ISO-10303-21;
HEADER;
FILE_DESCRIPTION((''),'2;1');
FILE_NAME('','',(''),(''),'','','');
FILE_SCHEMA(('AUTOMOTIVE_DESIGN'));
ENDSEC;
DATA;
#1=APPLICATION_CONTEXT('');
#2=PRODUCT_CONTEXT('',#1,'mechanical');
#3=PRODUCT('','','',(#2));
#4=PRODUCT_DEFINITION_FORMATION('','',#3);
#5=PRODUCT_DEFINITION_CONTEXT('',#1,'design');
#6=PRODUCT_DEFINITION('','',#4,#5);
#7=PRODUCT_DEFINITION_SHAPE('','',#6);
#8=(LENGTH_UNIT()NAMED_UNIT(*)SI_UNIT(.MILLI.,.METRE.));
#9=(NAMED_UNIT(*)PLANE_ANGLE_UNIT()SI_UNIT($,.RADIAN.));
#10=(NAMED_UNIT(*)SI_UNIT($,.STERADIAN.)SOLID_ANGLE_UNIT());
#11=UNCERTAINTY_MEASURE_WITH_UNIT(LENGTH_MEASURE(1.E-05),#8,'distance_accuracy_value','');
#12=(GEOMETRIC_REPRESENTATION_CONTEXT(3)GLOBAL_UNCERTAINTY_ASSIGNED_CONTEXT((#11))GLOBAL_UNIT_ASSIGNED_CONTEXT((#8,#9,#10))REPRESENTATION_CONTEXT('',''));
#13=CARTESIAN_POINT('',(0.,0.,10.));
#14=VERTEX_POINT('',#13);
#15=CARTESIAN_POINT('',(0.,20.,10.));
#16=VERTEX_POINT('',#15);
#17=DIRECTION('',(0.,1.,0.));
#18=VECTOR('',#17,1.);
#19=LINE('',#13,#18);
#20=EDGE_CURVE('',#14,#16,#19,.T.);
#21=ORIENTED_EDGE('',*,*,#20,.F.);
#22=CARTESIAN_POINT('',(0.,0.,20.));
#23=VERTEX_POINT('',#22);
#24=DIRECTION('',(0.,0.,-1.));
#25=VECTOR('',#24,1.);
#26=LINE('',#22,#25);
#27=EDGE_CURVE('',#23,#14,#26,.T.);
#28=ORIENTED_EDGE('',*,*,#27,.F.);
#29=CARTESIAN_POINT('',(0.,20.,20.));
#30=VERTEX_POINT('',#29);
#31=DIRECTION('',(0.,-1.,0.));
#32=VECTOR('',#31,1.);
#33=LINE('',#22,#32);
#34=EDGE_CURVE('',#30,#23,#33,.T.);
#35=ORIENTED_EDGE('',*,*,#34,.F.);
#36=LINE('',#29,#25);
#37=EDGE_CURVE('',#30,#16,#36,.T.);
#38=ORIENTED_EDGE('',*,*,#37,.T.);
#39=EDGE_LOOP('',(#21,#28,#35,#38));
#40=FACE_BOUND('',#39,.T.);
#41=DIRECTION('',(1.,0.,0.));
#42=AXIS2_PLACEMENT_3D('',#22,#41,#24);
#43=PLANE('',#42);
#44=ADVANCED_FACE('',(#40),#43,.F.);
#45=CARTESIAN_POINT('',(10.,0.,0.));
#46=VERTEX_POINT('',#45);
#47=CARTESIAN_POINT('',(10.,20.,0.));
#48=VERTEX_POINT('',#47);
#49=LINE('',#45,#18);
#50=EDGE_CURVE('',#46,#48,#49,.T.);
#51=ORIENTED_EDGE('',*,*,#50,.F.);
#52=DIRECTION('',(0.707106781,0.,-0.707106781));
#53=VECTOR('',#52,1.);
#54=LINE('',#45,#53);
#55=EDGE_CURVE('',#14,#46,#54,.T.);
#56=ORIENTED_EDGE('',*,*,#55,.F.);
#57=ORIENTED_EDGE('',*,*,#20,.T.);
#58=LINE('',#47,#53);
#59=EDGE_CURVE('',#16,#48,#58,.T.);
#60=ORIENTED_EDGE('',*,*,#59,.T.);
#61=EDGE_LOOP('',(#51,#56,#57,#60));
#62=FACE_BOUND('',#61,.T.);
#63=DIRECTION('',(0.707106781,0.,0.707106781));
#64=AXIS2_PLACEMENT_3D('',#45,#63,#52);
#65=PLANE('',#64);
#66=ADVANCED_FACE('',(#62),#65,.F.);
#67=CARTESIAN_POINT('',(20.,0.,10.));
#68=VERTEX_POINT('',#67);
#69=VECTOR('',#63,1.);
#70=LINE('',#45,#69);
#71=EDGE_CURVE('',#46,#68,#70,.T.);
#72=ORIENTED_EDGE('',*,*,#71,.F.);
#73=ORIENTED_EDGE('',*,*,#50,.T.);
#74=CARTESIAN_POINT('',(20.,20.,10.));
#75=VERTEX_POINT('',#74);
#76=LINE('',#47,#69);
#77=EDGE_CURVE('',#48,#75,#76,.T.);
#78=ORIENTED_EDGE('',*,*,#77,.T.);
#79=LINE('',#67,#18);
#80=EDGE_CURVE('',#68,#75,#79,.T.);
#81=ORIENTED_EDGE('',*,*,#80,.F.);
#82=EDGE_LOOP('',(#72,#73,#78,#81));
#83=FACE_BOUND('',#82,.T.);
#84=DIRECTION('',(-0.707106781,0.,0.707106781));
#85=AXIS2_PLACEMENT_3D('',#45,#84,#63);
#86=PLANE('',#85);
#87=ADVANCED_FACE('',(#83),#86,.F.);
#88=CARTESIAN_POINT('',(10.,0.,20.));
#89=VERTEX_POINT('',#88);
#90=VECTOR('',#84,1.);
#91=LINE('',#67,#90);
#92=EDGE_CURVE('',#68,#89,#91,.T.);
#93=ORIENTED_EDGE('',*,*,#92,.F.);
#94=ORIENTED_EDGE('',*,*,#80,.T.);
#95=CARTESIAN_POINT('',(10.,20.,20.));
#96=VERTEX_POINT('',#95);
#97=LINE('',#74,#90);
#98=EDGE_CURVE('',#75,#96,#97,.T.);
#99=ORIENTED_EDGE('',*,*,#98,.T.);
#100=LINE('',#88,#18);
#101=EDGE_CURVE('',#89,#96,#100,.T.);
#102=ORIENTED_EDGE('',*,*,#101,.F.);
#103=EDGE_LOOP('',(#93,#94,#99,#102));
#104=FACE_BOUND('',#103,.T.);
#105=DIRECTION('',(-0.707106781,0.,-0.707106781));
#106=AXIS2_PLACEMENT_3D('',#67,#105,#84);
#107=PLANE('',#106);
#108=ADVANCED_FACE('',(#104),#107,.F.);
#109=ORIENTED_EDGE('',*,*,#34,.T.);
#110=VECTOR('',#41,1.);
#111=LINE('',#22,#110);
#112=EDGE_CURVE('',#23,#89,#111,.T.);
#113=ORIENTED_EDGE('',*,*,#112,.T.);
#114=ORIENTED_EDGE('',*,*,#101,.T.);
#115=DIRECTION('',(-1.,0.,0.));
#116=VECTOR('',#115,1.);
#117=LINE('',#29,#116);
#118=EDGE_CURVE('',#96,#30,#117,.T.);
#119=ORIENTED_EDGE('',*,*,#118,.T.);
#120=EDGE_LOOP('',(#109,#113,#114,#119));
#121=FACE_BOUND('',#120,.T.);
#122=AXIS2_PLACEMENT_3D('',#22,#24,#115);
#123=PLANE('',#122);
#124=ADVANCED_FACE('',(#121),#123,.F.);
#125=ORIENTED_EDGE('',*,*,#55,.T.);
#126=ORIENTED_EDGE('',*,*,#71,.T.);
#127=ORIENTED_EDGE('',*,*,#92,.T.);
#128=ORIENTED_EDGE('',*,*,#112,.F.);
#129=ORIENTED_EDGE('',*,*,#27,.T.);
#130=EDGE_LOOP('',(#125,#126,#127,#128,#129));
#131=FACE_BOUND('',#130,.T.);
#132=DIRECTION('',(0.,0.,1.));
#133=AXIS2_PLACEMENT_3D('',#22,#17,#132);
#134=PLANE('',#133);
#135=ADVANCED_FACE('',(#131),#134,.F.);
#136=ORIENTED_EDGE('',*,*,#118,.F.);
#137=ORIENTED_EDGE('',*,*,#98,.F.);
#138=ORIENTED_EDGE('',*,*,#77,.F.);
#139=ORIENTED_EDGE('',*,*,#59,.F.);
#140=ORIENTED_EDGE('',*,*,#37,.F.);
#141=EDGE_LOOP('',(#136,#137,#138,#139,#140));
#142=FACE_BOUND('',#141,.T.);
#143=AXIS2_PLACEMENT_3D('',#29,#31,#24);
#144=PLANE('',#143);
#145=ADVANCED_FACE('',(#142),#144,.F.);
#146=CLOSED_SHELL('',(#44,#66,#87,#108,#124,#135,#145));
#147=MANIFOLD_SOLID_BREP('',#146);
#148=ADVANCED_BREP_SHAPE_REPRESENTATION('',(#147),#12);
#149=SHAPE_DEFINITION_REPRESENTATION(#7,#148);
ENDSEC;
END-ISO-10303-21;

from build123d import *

# Parameters (mm, degrees)
SKETCH1_W           = 20
SKETCH1_H           = 20
BOSS_EXTRUDE1_DEPTH = 20
CUT_EXTRUDE1_DEPTH  = 20
CUT_EXTRUDE2_DEPTH  = 20
CUT_EXTRUDE3_DEPTH  = 20


with BuildPart() as part:
    # Sketch1 → Boss-Extrude1 (new body)
    with BuildSketch(Plane.XY):
        with Locations((10, 10)):
            Rectangle(SKETCH1_W, SKETCH1_H)
    extrude(amount=BOSS_EXTRUDE1_DEPTH)

    # Sketch2 → Cut-Extrude1 (cut)
    with BuildSketch(Plane(origin=(0, 20, 0), x_dir=(1, 0, 0), z_dir=(0, 1, 0))):
        Polygon((20, 0), (10, 0), (20, -10), align=None)
    extrude(amount=-CUT_EXTRUDE1_DEPTH, mode=Mode.SUBTRACT)

    # Sketch3 → Cut-Extrude2 (cut)
    with BuildSketch(Plane(origin=(0, 20, 0), x_dir=(1, 0, 0), z_dir=(0, 1, 0))):
        Polygon((20, -20), (20, -10), (10, -20), align=None)
    extrude(amount=-CUT_EXTRUDE2_DEPTH, mode=Mode.SUBTRACT)

    # Sketch4 → Cut-Extrude3 (cut)
    with BuildSketch(Plane(origin=(0, 20, 0), x_dir=(1, 0, 0), z_dir=(0, 1, 0))):
        Polygon((0, 0), (10, 0), (0, -10), align=None)
    extrude(amount=-CUT_EXTRUDE3_DEPTH, mode=Mode.SUBTRACT)


solid = part.part
